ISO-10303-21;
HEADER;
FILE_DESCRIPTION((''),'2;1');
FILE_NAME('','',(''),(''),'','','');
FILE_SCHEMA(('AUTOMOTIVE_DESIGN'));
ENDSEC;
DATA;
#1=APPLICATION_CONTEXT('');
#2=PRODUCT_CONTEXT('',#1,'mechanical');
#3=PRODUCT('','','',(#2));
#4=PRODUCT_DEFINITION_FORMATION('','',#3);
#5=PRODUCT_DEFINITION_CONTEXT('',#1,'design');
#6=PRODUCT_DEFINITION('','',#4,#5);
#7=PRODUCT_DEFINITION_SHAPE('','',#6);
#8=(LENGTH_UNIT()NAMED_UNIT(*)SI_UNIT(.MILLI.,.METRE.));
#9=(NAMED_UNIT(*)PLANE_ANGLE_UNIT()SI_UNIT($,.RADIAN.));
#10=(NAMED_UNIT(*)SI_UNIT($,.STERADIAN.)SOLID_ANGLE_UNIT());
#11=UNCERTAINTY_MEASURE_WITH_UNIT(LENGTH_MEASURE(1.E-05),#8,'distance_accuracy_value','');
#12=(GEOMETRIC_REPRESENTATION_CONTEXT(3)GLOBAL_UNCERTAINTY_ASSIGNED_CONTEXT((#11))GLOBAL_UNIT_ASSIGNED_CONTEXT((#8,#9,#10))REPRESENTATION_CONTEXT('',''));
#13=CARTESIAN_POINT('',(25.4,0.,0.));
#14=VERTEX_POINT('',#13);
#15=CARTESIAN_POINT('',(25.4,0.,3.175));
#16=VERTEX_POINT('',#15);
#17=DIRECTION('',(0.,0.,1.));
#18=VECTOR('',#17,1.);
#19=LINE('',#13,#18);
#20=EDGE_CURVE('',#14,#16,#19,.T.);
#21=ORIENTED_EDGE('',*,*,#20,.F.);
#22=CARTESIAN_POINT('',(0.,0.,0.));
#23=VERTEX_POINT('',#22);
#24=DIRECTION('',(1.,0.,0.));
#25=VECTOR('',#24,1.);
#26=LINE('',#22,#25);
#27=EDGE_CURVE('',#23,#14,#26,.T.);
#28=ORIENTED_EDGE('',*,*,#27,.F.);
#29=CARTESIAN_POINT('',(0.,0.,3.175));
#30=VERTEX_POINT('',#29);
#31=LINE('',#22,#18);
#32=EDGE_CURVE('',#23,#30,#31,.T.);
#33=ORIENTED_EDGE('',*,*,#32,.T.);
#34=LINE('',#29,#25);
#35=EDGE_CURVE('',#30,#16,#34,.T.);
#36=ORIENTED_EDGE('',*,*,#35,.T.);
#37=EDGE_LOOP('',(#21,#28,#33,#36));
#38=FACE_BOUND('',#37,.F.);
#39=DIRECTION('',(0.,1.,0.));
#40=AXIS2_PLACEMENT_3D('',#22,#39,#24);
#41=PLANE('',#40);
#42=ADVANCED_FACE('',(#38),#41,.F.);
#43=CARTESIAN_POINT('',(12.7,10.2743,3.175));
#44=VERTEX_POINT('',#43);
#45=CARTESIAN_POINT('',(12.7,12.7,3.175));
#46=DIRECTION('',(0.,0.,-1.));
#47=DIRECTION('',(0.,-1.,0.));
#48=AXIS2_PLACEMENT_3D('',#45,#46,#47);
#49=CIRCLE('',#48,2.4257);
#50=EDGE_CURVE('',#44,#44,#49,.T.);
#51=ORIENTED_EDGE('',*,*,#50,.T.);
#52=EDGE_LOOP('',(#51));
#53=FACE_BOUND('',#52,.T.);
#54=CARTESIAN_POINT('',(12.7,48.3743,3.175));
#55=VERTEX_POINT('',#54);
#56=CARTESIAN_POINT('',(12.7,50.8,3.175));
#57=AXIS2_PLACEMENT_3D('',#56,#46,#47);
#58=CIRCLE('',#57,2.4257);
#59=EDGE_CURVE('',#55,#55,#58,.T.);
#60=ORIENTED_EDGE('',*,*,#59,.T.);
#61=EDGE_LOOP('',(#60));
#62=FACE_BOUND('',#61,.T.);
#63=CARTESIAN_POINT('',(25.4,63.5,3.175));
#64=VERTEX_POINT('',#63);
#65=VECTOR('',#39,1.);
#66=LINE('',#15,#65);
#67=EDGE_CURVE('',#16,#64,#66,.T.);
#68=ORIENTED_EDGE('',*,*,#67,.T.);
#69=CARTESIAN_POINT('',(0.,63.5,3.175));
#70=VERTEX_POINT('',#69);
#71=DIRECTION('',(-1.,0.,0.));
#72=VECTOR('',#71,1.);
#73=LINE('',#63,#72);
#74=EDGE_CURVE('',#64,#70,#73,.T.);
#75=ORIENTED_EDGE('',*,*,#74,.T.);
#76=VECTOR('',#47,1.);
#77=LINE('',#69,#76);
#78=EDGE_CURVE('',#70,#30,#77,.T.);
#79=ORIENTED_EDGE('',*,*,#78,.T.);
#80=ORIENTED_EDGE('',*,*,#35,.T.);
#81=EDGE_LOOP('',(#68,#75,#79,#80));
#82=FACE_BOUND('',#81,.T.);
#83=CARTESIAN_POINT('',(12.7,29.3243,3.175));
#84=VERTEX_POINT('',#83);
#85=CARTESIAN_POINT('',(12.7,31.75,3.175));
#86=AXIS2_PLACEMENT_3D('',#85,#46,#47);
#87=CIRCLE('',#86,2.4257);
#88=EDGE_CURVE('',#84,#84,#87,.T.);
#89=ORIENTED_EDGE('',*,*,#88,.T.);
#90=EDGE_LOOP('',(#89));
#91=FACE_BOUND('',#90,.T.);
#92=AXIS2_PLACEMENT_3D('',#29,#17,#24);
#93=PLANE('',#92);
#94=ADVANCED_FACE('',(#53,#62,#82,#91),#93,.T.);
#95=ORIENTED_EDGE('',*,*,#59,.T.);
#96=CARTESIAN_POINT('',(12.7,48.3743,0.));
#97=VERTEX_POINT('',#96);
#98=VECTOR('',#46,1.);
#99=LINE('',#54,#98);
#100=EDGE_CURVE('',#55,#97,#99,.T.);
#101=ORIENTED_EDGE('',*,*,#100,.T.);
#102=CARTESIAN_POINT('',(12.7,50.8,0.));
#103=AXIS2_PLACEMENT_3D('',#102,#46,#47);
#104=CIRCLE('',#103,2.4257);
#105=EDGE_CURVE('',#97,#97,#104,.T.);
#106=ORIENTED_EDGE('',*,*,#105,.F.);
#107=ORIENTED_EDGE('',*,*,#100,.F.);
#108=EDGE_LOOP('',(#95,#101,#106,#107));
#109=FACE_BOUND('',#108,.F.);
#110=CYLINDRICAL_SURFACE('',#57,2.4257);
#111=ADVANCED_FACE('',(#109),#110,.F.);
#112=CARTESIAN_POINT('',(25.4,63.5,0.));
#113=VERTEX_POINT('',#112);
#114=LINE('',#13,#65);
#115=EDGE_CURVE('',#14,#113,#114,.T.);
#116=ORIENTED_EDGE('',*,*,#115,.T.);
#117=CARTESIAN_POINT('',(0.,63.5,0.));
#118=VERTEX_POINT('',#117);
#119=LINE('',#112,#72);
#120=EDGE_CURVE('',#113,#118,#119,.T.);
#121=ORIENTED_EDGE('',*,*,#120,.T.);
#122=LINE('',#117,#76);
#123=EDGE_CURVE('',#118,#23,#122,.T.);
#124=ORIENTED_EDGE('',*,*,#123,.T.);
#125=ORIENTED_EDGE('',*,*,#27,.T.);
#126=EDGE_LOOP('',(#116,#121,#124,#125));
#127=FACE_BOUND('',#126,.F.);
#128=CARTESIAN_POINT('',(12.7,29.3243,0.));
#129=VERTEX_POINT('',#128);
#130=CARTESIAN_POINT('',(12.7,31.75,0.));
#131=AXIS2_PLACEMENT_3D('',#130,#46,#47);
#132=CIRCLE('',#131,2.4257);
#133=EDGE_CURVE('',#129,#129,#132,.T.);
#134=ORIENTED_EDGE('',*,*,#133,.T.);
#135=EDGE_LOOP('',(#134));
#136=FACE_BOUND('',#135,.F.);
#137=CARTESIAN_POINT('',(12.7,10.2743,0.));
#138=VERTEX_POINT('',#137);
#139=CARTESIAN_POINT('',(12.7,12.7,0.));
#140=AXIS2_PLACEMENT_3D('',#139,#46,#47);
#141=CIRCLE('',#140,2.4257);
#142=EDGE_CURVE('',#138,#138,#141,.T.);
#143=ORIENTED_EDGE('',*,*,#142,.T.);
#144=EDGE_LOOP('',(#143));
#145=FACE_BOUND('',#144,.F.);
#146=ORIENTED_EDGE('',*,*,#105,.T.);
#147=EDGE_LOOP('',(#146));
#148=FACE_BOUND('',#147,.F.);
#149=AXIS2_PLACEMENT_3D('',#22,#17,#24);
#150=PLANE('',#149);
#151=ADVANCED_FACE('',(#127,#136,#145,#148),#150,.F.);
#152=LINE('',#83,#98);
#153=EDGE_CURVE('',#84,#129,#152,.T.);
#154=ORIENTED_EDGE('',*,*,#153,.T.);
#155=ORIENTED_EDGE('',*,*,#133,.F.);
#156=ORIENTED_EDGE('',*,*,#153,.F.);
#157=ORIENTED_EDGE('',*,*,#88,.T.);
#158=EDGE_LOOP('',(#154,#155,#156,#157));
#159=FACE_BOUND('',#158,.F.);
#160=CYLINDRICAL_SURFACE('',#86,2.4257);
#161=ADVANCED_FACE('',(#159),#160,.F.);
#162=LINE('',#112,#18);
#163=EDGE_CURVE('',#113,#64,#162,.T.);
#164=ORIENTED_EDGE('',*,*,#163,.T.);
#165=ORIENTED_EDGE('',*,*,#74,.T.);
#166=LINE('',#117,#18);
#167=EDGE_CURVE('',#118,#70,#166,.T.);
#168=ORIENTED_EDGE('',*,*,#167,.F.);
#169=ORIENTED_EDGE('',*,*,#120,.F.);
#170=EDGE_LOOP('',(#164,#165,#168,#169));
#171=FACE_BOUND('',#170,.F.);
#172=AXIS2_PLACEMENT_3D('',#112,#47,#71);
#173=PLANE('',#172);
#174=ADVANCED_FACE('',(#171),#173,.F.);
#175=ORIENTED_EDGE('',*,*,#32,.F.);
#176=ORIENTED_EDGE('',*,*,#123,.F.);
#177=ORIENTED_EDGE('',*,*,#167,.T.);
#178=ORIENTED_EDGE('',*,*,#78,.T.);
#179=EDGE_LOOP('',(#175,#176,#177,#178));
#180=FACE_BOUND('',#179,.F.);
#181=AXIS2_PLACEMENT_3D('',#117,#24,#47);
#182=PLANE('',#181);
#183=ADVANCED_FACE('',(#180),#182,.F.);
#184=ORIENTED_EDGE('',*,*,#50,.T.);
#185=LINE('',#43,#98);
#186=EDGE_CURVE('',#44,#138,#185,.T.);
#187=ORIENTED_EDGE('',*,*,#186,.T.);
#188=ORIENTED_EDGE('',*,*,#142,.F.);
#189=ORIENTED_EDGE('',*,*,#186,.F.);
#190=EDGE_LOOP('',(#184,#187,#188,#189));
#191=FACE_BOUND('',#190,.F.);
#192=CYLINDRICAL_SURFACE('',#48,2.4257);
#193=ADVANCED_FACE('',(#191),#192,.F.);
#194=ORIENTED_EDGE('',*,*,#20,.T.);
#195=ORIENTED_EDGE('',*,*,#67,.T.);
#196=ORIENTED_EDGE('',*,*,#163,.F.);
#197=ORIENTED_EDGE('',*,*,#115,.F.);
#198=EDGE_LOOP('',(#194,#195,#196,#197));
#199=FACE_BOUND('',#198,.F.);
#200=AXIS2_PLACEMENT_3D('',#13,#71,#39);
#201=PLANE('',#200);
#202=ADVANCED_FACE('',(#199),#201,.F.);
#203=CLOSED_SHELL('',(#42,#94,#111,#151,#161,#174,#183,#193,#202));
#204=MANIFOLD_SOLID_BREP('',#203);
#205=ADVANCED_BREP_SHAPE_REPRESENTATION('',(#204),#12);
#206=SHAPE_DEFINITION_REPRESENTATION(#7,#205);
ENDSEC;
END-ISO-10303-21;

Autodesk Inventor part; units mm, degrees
ref_plane "YZ Plane" through (0, 0, 0) normal (1, 0, 0) x (0, 1, 0)
ref_plane "XZ Plane" through (0, 0, 0) normal (0, 1, 0) x (-1, 0, 0)
ref_plane "XY Plane" through (0, 0, 0) normal (0, 0, 1) x (1, 0, 0)
sketch "Sketch1" plane through (0, 0, 0) normal (0, 0, 1) x (1, 0, 0)
  line L0 (0, 0) -> (25.4, 0)
  line L1 (25.4, 0) -> (25.4, 63.5)
  line L2 (25.4, 63.5) -> (0, 63.5)
  line L3 (0, 63.5) -> (0, 0)
  dimension "d0" = 25.4
  dimension "d1" = 63.5
extrude "Extrusion1" add sketch "Sketch1" along normal blind 3.175
sketch "Sketch2" plane through (0, 0, 3.175) normal (0, 0, 1) x (1, 0, 0)
  line L0 (0, 0) -> (25.4, 0) projected
  line L1 (25.4, 0) -> (25.4, 63.5) projected
  line L2 (25.4, 63.5) -> (0, 63.5) projected
  line L3 (0, 63.5) -> (0, 0) projected
  point P0 (12.7, 12.7)
  point P1 (12.7, 50.8)
  point P2 (12.7, 31.75)
  dimension "d4" = 12.7
  dimension "d5" = 12.7
  dimension "d6" = 12.7
  dimension "d18" = 19.05
  dimension "d19" = 19.05
hole "Hole1" at (12.7, 12.7, 3.175) at (12.7, 31.75, 3.175) at (12.7, 50.8, 3.175) direction (0, 0, -1) diameter 4.8514 end through all
equation "\"d4\" = d5"
properties part number "CLB_040_ScissorLiftSpacer"
